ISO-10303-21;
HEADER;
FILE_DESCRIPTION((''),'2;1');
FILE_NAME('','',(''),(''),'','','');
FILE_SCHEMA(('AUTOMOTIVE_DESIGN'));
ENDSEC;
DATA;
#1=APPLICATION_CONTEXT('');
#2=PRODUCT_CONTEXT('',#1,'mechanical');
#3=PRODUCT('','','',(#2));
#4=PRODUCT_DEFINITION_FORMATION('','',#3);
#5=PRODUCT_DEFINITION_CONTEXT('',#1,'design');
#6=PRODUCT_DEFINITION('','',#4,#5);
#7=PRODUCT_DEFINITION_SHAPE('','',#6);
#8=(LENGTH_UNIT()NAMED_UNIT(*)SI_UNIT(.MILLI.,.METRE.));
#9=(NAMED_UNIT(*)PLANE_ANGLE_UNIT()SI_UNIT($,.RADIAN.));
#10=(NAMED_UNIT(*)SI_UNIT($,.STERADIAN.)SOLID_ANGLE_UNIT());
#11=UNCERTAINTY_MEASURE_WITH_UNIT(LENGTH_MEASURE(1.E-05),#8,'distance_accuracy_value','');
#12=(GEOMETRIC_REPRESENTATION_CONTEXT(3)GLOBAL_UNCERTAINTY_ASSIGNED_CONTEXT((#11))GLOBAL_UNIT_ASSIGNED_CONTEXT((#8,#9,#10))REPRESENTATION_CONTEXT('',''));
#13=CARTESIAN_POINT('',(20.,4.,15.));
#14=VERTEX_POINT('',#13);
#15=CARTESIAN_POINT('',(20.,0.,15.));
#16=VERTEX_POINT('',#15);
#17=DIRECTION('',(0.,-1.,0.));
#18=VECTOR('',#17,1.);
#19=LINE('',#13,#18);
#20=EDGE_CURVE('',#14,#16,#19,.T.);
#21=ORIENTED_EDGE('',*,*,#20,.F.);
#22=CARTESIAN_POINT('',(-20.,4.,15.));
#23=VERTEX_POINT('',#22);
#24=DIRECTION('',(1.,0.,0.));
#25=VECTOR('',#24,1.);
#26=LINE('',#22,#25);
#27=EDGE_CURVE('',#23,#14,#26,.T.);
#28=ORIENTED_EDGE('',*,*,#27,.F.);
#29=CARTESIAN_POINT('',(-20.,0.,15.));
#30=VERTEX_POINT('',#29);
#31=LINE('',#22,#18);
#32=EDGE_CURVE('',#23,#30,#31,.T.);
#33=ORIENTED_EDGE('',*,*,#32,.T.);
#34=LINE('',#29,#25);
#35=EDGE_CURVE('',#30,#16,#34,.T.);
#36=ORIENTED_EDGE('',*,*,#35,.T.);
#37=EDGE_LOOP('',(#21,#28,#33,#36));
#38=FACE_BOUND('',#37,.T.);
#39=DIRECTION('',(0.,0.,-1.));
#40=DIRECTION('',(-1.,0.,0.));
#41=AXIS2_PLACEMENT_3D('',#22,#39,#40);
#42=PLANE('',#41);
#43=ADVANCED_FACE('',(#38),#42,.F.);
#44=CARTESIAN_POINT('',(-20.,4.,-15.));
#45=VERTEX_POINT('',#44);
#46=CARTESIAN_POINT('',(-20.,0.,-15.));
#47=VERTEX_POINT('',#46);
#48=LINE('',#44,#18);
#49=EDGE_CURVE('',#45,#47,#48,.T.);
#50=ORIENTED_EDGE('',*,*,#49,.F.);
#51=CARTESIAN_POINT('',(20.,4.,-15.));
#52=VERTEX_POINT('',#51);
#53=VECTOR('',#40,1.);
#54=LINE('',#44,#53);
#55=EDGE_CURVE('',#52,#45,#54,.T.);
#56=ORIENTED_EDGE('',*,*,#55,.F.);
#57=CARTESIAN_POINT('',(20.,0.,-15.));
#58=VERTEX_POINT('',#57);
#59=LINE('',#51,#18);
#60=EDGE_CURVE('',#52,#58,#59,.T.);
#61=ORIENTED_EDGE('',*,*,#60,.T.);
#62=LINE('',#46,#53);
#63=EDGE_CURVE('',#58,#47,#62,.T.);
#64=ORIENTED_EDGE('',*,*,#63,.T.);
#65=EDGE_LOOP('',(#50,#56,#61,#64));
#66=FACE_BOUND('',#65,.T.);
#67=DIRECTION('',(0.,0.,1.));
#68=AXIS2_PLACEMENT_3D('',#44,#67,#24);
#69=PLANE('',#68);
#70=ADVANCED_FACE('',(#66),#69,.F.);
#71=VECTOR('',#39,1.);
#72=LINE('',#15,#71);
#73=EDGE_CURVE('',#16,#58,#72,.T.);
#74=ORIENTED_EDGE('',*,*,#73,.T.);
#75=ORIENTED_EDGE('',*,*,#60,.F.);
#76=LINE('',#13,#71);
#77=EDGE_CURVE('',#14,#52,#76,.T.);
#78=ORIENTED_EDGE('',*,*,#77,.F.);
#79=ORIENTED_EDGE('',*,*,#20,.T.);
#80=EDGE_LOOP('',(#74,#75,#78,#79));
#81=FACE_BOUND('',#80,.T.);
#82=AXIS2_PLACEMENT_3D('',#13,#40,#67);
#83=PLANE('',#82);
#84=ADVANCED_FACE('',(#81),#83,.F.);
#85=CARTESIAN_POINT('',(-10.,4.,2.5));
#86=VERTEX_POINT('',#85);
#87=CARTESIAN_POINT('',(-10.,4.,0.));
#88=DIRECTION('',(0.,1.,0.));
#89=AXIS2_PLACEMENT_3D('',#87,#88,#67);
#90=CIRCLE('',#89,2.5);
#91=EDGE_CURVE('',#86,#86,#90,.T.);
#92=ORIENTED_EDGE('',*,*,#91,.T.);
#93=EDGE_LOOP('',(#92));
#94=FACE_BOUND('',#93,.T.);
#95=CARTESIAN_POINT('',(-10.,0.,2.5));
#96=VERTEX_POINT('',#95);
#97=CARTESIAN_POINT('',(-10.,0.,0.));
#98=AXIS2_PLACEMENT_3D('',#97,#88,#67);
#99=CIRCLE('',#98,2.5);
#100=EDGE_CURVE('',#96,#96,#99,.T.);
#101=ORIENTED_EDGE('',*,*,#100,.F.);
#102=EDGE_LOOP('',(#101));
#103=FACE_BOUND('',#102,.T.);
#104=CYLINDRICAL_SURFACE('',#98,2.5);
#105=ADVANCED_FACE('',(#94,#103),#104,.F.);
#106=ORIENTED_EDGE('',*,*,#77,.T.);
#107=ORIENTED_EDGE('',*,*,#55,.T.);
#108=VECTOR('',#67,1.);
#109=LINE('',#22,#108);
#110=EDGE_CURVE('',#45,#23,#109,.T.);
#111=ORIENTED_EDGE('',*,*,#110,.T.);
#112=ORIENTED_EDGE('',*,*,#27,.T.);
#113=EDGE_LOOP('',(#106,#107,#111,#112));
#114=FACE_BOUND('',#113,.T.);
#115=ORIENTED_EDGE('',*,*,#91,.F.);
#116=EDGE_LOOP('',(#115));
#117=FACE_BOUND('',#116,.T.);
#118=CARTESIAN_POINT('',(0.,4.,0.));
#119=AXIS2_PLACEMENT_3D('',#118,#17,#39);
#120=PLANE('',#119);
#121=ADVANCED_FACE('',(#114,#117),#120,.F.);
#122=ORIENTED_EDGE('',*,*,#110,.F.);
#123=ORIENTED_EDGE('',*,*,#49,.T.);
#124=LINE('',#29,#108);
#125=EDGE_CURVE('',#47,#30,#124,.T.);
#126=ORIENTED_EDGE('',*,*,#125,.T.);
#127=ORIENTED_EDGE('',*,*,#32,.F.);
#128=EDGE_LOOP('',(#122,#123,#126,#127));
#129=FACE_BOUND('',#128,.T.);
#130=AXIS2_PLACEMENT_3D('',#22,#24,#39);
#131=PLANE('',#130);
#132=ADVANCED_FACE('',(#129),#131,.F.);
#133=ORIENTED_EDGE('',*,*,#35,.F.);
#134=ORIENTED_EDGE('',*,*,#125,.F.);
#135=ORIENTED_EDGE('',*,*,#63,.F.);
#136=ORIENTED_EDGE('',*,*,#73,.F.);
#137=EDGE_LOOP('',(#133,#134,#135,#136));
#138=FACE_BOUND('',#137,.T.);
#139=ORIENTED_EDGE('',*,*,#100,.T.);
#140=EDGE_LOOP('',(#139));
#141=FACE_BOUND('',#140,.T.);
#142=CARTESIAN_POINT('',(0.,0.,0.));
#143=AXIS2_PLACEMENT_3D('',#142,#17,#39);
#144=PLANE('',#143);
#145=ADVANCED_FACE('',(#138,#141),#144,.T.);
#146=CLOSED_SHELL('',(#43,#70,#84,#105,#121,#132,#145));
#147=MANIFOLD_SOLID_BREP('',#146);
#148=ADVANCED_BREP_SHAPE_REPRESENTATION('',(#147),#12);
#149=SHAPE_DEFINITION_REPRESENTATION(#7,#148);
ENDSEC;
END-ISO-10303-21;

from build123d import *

# Parameters (mm, degrees)
SKETCH1_W           = 40
SKETCH1_H           = 30
BOSS_EXTRUDE1_DEPTH = 4
SKETCH2_R           = 2.5
CUT_EXTRUDE1_DEPTH  = 4


with BuildPart() as part:
    # Sketch1 → Boss-Extrude1 (new body)
    with BuildSketch(Plane(origin=(0, 0, 0), x_dir=(1, 0, 0), z_dir=(0, 1, 0))):
        Rectangle(SKETCH1_W, SKETCH1_H)
    extrude(amount=BOSS_EXTRUDE1_DEPTH)

    # Sketch2 → Cut-Extrude1 (cut)
    with BuildSketch(Plane(origin=(0, 4, 0), x_dir=(1, 0, 0), z_dir=(0, 1, 0))):
        with Locations(Location((-10, 0, 0), (0, 0, 270))):
            Circle(SKETCH2_R)
    extrude(amount=-CUT_EXTRUDE1_DEPTH, mode=Mode.SUBTRACT)


solid = part.part
